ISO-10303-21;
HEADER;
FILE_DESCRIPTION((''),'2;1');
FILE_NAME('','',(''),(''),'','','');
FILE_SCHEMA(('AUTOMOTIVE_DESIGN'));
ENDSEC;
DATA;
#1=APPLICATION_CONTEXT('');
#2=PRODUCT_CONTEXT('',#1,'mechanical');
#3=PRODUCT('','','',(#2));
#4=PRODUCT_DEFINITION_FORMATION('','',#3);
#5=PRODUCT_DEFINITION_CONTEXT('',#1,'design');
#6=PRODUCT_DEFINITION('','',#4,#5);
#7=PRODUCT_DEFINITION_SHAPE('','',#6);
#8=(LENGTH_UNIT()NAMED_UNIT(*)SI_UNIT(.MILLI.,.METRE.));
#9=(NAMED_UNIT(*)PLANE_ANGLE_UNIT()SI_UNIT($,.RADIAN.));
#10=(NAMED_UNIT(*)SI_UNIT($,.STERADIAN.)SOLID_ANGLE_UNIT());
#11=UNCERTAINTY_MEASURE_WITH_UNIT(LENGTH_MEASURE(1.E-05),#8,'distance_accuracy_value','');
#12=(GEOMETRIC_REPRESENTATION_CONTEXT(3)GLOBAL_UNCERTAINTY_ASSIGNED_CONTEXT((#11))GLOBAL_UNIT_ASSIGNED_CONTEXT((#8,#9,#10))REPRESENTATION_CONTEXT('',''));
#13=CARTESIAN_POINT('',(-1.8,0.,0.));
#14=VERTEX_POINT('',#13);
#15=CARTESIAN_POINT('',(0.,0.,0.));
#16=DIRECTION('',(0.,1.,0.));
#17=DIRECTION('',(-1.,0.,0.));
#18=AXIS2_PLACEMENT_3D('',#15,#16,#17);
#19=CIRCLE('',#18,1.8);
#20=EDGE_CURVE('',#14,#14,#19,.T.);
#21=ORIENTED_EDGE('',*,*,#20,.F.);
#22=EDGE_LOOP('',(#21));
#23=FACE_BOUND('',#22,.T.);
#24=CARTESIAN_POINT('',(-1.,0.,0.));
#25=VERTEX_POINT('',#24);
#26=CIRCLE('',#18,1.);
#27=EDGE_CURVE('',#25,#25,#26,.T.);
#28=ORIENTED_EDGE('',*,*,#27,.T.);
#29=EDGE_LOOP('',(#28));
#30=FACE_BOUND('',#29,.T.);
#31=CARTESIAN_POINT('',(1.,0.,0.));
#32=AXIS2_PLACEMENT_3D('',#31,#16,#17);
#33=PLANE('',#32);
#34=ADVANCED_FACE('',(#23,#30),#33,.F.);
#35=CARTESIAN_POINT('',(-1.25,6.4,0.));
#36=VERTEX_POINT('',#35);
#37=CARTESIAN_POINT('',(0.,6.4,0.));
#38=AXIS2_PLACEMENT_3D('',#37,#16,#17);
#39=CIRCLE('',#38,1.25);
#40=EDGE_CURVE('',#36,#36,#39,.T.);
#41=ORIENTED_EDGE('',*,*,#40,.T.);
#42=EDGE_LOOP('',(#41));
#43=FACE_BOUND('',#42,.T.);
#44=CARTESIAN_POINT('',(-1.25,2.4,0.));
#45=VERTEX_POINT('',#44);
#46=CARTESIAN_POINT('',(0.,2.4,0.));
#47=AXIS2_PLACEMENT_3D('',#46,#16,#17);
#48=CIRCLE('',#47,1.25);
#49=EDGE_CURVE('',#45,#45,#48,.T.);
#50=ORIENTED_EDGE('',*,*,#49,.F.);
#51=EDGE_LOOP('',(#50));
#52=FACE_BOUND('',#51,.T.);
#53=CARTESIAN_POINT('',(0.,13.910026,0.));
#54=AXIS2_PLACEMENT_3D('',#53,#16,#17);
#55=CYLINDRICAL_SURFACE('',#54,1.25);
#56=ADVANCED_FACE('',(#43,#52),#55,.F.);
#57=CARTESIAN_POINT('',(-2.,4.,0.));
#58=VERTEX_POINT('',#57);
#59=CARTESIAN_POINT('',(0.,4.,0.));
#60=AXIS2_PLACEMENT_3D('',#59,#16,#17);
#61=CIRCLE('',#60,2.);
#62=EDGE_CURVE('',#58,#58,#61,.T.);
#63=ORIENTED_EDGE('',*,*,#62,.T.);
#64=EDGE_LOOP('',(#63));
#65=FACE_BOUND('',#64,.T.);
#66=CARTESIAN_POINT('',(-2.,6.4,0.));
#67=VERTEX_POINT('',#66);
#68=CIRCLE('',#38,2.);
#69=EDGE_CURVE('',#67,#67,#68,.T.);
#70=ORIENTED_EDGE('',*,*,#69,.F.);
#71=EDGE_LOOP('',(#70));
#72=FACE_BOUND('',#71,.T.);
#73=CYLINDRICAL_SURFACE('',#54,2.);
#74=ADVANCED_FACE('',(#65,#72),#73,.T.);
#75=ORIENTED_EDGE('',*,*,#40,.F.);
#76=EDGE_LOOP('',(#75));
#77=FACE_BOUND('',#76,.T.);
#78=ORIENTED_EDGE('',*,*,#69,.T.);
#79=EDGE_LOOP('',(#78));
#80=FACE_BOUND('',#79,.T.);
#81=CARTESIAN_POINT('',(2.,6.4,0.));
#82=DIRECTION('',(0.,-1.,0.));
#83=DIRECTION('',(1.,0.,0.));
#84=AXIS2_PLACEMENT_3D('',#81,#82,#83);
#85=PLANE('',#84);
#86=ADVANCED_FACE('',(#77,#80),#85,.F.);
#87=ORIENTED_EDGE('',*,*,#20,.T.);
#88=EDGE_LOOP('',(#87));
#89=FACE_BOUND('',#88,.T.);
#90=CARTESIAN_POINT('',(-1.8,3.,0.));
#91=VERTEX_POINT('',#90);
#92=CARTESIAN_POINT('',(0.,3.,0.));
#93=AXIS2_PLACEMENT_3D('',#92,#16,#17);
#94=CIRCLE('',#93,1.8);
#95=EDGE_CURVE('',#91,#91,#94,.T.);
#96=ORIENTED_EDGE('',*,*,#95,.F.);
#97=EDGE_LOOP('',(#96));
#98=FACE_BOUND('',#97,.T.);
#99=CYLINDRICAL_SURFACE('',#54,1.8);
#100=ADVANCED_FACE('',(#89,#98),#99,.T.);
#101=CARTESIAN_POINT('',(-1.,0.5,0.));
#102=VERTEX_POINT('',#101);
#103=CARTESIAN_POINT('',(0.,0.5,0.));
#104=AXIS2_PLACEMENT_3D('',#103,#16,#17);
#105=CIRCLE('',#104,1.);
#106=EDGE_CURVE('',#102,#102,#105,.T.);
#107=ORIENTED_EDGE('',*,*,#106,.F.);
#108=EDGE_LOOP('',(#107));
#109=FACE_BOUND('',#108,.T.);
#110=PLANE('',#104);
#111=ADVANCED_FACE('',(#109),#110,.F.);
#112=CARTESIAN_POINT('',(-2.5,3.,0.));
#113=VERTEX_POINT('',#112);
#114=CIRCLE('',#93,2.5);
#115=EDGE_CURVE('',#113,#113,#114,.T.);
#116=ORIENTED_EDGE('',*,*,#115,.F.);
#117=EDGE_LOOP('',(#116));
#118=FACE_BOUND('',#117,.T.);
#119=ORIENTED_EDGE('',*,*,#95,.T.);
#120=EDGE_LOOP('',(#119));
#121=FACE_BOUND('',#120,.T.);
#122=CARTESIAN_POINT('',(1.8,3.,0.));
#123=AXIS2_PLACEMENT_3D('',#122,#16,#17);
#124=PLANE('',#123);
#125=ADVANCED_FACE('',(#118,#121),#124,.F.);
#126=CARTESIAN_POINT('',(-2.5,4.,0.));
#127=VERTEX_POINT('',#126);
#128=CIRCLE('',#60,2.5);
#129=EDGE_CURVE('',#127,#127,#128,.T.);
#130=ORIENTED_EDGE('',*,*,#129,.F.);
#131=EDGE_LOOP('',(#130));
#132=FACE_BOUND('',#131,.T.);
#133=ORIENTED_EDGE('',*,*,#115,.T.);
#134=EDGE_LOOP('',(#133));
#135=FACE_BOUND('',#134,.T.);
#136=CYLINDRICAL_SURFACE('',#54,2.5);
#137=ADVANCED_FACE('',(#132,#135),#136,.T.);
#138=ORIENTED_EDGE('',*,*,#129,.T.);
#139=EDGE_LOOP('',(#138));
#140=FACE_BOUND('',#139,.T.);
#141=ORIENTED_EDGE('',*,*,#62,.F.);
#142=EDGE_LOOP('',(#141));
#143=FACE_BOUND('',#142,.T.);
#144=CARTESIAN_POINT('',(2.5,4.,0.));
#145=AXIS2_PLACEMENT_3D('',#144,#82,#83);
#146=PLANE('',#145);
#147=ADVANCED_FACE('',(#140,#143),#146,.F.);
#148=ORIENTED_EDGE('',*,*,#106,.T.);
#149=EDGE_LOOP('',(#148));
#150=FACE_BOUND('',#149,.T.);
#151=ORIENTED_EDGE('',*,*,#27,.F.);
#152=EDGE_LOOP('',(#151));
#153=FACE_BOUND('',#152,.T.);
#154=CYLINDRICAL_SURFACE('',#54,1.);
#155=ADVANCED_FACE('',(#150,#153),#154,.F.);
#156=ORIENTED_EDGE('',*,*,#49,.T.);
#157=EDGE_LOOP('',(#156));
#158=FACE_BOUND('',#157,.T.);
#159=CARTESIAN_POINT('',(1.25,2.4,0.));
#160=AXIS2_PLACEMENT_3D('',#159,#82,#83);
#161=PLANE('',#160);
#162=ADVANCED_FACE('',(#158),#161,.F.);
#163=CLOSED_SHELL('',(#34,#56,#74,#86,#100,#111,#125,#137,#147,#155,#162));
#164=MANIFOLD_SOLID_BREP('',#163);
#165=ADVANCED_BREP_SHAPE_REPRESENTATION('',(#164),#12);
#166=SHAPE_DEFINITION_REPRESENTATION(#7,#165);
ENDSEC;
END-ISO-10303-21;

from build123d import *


with BuildPart() as part:
    # 草图1 → 旋转1 (revolve)
    with BuildSketch(Plane.XY, mode=Mode.PRIVATE) as revolve_1_sk:
        Polygon((1, 0), (1.8, 0), (1.8, 3), (2.5, 3), (2.5, 4), (2, 4), (2, 6.4), (1.25, 6.4), (1.25, 2.4), (0, 2.4), (0, 0.5), (1, 0.5), align=None)
    revolve(revolve_1_sk.sketch.rotate(Axis((0, 13.910026484, 0), (0, -1, 0)), 180), axis=Axis((0, 13.910026484, 0), (0, -1, 0)))


solid = part.part
